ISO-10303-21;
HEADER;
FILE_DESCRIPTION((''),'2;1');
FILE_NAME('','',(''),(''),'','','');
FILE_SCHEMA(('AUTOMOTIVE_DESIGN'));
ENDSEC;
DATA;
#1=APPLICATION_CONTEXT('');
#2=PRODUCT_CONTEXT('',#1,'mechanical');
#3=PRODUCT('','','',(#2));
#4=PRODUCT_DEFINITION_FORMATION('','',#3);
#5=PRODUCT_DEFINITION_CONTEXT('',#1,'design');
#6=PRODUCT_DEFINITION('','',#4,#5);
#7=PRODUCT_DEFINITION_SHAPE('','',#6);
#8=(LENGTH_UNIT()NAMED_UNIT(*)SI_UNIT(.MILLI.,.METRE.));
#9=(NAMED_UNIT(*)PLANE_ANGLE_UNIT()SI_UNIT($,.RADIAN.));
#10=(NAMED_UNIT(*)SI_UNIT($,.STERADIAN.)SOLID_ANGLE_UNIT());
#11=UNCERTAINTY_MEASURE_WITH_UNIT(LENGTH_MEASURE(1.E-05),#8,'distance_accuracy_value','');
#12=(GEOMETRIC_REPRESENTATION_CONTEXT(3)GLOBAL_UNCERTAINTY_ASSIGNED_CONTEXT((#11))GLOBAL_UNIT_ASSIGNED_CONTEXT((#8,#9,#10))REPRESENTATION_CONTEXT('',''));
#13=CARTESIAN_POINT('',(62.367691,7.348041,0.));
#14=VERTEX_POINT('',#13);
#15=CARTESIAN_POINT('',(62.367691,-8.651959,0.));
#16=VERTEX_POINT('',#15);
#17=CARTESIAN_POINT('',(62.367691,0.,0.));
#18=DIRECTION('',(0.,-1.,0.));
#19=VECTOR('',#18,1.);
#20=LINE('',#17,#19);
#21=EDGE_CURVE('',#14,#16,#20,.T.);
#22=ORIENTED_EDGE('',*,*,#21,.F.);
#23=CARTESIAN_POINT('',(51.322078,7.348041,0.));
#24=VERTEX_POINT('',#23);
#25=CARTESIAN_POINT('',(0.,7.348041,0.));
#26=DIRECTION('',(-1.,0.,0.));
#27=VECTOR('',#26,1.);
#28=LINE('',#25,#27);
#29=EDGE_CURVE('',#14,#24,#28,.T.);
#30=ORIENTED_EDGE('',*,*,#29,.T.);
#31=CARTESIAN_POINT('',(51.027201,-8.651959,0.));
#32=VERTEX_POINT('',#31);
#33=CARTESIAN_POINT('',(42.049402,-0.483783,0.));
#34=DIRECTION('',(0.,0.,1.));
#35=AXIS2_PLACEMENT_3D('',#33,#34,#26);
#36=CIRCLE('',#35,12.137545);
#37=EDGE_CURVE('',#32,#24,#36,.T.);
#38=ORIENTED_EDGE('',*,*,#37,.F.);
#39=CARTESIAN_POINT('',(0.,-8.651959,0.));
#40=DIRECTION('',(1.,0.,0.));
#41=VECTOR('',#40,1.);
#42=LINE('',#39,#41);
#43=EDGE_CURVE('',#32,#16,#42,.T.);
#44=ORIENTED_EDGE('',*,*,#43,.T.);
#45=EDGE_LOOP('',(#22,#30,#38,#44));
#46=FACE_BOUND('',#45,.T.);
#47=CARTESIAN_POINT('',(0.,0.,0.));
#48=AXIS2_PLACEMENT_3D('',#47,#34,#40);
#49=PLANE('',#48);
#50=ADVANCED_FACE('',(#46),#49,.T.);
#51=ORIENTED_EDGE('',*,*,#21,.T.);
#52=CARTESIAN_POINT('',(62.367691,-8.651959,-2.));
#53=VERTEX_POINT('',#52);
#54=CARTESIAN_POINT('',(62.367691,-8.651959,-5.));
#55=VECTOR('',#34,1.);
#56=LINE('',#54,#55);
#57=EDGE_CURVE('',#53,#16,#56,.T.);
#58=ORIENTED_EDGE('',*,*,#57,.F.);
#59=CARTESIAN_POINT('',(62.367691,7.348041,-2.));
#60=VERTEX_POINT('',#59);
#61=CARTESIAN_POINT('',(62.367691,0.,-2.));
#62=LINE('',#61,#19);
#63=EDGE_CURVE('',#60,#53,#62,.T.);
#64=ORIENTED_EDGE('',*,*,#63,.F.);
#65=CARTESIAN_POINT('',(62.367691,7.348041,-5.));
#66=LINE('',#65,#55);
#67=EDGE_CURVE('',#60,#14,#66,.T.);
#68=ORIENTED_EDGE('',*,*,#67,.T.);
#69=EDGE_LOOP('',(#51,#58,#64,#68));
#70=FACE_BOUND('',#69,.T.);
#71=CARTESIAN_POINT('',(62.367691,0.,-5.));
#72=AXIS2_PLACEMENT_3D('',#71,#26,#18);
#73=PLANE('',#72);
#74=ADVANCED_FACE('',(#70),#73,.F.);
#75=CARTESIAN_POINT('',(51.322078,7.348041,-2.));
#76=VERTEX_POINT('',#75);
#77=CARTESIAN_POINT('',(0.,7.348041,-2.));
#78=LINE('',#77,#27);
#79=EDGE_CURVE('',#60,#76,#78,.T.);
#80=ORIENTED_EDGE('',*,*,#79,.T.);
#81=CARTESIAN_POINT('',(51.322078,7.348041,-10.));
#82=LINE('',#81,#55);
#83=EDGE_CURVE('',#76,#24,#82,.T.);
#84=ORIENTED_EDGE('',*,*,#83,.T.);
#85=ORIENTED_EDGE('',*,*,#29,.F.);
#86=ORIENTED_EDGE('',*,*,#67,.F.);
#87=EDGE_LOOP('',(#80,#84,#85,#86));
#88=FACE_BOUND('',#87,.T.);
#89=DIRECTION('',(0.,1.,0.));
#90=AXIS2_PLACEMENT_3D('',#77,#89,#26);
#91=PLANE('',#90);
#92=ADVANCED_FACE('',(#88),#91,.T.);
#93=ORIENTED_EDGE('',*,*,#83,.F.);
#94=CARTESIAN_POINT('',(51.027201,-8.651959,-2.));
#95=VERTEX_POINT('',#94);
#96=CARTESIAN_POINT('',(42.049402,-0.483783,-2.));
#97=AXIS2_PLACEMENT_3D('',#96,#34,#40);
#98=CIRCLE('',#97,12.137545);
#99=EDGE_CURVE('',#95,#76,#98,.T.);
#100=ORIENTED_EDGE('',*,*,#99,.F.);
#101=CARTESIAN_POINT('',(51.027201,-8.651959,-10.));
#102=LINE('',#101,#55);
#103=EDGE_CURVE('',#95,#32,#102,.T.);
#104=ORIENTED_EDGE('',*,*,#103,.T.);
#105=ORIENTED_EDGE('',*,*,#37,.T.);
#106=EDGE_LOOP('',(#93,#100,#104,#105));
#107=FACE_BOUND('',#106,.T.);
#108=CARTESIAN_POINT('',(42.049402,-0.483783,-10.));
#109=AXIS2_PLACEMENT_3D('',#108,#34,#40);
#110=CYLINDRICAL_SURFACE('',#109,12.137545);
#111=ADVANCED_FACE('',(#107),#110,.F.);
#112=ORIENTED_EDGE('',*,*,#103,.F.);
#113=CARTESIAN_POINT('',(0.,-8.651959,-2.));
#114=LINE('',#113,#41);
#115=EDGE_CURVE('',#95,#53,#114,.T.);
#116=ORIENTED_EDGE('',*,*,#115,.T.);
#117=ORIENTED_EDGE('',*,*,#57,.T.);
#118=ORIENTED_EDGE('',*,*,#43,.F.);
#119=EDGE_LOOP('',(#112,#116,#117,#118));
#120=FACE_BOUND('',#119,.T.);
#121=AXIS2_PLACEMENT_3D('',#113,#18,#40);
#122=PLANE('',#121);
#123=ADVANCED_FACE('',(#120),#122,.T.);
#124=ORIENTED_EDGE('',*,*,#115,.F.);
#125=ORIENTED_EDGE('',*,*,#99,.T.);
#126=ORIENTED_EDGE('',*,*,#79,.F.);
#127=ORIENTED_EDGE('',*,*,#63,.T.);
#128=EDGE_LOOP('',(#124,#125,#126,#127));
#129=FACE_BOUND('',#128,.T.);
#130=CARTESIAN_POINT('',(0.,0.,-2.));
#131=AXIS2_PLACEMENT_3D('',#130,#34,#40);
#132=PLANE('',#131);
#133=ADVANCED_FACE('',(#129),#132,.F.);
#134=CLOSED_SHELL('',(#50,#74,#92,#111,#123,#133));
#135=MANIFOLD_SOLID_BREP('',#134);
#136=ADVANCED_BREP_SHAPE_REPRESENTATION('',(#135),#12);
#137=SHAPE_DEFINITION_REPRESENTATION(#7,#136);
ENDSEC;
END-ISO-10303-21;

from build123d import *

# Parameters (mm, degrees)
DODANIE_WYCI_GNI_CIE1_DEPTH = 2
SZKIC2_W                    = 5
SZKIC2_H                    = 16
WYTNIJ_WYCI_GNI_CIE1_DEPTH  = 5
WYTNIJ_WYCI_GNI_CIE2_DEPTH  = 10
WYTNIJ_WYCI_GNI_CIE3_DEPTH  = 10


with BuildPart() as part:
    # Szkic1 → Dodanie-wyciągnięcie1 (new body)
    with BuildSketch(Plane.XY):
        Polygon((39.660703644, 7.348041155), (39.998203889, -8.651958845), (67.367690874, -8.651958845), (67.367690874, 7.348041155), align=None)
    extrude(amount=-DODANIE_WYCI_GNI_CIE1_DEPTH)

    # Szkic2 → Wytnij-wyciągnięcie1 (cut)
    with BuildSketch(Plane.XY):
        with Locations((64.867690874, -0.651958845)):
            Rectangle(SZKIC2_W, SZKIC2_H)
    extrude(amount=-WYTNIJ_WYCI_GNI_CIE1_DEPTH, mode=Mode.SUBTRACT)

    # Szkic3 → Wytnij-wyciągnięcie2 (cut)
    with BuildSketch(Plane.XY):
        with BuildLine():
            Line((39.660703644, 7.348041155), (39.998203889, -8.651958845))
            Line((39.998203889, -8.651958845), (48.125210145, -8.651958845))
            ThreePointArc((48.125210145, -8.651958845), (51.694710699, -0.869414217), (49.289973229, 7.348041155))
            Line((49.289973229, 7.348041155), (39.660703644, 7.348041155))
        make_face()
    extrude(amount=-WYTNIJ_WYCI_GNI_CIE2_DEPTH, mode=Mode.SUBTRACT)

    # Szkic4 → Wytnij-wyciągnięcie3 (cut)
    with BuildSketch(Plane.XY):
        with BuildLine():
            Line((48.125210145, -8.651958845), (51.027201312, -8.651958845))
            ThreePointArc((51.027201312, -8.651958845), (54.184885403, -0.707437008), (51.322077756, 7.348041155))
            Line((51.322077756, 7.348041155), (49.289973229, 7.348041155))
            Line((49.289973229, 7.348041155), (48.125210145, -8.651958845))
        make_face()
    extrude(amount=-WYTNIJ_WYCI_GNI_CIE3_DEPTH, mode=Mode.SUBTRACT)


solid = part.part
